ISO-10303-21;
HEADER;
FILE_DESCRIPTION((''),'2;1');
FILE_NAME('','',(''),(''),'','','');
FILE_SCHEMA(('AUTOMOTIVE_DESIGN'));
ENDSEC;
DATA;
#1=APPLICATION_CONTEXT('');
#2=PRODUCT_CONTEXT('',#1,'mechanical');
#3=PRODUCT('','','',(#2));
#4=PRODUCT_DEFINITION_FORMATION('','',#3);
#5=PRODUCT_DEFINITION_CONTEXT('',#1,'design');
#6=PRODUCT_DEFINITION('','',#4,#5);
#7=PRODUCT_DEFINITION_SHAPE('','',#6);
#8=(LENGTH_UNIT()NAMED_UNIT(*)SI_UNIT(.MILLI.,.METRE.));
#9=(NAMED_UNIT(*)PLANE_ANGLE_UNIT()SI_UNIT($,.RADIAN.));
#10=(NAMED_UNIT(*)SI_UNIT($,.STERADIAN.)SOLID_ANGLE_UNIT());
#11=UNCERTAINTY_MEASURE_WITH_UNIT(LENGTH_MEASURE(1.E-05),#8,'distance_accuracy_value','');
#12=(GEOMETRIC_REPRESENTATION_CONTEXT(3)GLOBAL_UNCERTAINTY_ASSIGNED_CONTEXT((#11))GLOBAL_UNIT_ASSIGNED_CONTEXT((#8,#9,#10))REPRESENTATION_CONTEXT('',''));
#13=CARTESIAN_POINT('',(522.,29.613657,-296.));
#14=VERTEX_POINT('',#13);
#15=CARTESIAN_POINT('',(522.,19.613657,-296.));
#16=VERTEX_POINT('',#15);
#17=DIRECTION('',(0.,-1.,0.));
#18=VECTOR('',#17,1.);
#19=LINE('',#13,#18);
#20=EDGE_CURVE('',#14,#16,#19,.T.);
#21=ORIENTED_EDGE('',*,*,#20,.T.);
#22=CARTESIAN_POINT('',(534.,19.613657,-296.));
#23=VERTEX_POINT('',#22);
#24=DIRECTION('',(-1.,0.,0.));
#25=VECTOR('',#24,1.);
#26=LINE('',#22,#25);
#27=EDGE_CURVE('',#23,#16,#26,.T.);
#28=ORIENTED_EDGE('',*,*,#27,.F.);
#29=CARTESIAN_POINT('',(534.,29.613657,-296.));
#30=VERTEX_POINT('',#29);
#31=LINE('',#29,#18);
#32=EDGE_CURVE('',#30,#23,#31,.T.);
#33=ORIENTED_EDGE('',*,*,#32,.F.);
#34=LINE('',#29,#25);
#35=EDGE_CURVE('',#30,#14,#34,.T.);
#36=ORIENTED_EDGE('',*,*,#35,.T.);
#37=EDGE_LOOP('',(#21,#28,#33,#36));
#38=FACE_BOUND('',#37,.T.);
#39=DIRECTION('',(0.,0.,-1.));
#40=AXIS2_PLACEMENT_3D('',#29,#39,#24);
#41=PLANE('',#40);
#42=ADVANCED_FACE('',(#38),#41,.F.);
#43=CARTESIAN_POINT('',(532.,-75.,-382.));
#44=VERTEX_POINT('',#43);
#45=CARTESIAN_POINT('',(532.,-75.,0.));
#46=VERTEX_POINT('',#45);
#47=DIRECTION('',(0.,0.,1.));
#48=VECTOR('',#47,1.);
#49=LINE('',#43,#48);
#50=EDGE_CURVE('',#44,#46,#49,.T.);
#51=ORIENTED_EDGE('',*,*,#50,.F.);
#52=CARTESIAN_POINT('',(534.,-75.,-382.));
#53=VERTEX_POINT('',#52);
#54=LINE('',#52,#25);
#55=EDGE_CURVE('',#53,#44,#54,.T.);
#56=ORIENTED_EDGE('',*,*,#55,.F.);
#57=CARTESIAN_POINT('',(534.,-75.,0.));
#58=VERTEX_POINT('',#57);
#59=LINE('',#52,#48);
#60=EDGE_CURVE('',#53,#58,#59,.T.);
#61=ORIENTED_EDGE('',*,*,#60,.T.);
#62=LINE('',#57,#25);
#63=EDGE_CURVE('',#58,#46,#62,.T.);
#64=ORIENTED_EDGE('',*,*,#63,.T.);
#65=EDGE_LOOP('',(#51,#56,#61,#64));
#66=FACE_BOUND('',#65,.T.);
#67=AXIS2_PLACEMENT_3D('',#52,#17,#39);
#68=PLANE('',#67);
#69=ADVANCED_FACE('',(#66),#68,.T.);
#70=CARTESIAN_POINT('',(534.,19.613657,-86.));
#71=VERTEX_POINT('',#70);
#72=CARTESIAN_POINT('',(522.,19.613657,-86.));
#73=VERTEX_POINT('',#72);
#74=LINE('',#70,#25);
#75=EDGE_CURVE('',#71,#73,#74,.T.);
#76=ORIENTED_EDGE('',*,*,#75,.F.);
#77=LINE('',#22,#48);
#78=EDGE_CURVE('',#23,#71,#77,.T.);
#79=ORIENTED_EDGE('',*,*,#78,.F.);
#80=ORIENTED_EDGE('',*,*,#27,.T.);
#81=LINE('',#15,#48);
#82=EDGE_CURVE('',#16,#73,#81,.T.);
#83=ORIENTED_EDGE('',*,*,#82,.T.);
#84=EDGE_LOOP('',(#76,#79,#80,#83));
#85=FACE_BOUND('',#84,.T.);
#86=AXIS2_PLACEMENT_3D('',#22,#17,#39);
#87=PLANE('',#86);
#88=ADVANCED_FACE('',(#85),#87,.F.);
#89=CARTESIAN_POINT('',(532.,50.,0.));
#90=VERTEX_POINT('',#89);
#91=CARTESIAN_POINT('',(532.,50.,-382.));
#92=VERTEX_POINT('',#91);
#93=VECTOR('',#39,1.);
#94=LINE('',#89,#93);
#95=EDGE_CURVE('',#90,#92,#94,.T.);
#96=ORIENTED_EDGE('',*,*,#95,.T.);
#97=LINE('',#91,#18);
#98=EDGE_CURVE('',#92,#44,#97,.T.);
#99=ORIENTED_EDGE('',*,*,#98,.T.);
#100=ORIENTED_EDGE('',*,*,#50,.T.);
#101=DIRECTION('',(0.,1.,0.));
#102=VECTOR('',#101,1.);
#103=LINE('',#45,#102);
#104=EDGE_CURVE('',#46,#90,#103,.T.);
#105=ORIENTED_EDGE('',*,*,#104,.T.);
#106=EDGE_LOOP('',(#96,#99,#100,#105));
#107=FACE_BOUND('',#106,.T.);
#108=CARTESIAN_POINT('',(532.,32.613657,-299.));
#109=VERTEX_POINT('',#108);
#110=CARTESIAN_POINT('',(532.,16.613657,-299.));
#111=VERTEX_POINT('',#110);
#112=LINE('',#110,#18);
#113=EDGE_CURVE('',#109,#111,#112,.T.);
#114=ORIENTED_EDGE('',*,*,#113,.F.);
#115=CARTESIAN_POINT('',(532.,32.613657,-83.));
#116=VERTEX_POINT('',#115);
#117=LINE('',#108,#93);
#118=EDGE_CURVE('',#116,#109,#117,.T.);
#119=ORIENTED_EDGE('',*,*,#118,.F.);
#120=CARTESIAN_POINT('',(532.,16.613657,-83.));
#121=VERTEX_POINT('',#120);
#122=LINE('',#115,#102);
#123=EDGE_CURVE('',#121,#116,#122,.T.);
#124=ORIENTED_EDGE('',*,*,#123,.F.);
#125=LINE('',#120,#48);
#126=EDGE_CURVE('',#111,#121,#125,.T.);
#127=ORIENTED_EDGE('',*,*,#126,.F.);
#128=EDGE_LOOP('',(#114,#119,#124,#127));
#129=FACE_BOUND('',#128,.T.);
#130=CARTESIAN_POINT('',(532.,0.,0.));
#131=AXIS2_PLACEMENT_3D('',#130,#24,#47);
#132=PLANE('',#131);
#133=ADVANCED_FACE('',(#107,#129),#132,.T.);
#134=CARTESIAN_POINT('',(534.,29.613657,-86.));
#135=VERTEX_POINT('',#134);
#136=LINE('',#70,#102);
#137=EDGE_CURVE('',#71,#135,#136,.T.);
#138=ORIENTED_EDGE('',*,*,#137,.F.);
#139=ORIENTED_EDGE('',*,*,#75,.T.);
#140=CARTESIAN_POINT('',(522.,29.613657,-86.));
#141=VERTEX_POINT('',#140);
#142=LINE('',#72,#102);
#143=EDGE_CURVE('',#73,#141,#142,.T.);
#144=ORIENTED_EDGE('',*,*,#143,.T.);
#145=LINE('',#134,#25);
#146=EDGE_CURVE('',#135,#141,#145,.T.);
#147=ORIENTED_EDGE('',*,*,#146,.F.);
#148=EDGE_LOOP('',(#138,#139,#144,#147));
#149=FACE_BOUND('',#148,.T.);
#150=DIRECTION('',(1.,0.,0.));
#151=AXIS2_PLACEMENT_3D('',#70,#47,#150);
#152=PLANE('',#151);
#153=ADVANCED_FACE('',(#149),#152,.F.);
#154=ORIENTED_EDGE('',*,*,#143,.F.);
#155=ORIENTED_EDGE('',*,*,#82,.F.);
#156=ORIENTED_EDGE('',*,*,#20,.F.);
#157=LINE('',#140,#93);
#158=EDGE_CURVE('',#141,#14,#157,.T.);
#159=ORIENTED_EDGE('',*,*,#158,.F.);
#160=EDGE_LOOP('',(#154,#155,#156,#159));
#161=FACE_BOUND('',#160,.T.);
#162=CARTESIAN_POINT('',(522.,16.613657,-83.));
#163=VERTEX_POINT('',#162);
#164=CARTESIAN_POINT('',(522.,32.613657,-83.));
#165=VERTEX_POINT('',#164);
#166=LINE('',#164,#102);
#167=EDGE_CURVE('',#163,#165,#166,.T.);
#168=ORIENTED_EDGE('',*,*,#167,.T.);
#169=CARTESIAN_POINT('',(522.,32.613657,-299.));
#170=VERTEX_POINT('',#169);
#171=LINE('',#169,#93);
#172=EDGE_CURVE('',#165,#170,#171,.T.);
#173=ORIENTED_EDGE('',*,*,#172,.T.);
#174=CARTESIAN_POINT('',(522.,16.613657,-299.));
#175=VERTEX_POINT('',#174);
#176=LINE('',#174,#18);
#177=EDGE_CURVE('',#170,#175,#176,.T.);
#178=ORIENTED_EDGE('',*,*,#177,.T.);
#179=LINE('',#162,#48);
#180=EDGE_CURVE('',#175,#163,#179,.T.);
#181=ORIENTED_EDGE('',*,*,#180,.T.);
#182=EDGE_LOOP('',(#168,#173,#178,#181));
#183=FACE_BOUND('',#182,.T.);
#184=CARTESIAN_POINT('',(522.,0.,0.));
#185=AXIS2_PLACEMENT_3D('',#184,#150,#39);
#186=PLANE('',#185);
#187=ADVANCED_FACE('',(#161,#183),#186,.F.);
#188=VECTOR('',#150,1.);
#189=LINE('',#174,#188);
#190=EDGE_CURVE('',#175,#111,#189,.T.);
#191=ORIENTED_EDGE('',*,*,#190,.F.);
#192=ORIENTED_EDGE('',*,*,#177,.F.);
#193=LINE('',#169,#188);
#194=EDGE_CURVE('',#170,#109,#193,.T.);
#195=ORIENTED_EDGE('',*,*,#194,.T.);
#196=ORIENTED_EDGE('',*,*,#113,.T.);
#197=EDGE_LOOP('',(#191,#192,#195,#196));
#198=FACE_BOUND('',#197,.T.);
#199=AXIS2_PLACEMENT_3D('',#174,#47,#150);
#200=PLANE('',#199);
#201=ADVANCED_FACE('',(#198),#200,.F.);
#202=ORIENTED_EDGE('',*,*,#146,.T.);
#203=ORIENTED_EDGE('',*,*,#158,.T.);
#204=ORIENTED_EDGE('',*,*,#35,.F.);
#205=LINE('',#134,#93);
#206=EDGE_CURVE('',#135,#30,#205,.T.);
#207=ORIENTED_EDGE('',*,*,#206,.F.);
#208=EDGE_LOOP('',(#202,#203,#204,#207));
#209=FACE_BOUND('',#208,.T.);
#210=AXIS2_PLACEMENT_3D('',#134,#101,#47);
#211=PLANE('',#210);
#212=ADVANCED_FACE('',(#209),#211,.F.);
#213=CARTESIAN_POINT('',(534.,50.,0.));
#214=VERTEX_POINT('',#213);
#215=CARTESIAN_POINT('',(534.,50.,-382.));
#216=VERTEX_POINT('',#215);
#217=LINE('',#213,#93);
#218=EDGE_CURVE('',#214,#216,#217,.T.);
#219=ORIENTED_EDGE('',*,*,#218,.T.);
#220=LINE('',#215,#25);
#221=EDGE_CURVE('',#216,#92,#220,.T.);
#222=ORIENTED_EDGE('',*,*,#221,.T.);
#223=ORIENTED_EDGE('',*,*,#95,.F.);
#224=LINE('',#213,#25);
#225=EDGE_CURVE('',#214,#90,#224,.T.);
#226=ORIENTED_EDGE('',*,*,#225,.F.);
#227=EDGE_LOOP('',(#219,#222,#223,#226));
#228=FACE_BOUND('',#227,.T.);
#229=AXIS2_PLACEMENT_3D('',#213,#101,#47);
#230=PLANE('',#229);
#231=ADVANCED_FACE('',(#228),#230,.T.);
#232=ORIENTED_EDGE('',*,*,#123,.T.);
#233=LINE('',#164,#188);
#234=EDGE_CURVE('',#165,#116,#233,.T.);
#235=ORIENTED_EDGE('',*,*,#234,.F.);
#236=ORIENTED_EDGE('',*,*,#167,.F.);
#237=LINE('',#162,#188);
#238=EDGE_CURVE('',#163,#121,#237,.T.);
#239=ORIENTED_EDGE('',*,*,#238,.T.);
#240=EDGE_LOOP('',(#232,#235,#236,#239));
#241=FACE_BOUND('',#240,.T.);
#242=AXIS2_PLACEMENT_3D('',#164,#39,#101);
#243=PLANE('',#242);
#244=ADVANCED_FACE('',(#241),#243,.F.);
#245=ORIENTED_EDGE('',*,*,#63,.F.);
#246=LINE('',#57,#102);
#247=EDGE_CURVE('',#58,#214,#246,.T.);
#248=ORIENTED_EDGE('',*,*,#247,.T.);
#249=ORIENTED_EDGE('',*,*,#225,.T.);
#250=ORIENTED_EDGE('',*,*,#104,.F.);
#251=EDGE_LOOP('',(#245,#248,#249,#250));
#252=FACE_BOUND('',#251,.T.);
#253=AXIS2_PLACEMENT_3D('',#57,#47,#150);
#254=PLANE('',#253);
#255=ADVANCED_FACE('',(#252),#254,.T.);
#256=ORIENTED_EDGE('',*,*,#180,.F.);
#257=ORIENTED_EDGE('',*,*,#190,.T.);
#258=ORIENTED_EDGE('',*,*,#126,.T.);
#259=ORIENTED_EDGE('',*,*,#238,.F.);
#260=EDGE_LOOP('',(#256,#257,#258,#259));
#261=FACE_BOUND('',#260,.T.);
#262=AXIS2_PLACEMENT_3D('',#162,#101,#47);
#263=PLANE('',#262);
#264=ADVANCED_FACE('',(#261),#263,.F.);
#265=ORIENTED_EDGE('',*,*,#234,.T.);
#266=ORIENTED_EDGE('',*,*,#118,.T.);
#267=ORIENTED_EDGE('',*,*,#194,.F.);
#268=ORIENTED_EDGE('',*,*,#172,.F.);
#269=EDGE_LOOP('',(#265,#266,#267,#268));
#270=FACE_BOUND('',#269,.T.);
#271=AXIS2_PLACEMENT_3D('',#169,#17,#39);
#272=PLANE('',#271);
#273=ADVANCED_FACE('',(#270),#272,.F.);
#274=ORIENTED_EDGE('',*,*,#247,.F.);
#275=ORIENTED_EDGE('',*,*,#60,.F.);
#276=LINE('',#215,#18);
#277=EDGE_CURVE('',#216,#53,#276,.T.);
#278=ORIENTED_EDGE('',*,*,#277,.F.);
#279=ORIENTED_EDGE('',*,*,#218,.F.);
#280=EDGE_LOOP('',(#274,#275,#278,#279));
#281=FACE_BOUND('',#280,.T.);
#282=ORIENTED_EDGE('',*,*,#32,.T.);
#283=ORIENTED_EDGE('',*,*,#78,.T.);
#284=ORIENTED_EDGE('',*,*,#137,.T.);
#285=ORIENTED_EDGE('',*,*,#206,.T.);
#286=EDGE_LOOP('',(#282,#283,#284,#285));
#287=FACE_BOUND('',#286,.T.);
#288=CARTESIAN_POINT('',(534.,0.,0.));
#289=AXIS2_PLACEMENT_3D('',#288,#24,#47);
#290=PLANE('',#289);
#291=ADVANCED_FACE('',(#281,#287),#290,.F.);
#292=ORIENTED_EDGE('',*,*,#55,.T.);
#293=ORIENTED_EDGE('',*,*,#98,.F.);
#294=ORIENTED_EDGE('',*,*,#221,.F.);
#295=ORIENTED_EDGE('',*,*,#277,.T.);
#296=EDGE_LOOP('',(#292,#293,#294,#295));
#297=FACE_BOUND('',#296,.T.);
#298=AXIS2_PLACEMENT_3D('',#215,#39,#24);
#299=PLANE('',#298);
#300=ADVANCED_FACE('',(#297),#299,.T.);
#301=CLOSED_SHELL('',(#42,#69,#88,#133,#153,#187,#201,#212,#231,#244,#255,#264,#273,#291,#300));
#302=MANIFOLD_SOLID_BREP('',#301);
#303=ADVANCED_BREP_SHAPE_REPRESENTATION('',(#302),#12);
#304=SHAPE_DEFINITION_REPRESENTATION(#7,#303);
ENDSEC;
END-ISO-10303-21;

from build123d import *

# Parameters (mm, degrees)
SKETCH1_W           = 125
SKETCH1_H           = 382
BOSS_EXTRUDE1_DEPTH = 2
SKETCH2_W           = 216
SKETCH2_H           = 16
BOSS_EXTRUDE2_DEPTH = 10
SKETCH3_W           = 210
SKETCH3_H           = 10
CUT_EXTRUDE1_DEPTH  = 390.477855596


with BuildPart() as part:
    # Sketch1 → Boss-Extrude1 (new body)
    with BuildSketch(Plane(origin=(532, 0, 0), x_dir=(0, -1, 0), z_dir=(-1, 0, 0))):
        with Locations((12.5, -191)):
            Rectangle(SKETCH1_W, SKETCH1_H)
    extrude(amount=-BOSS_EXTRUDE1_DEPTH)

    # Sketch2 → Boss-Extrude2 (add)
    with BuildSketch(Plane.ZY.offset(-532)):
        with Locations((-191, 24.613657059)):
            Rectangle(SKETCH2_W, SKETCH2_H)
    extrude(amount=BOSS_EXTRUDE2_DEPTH)

    # Sketch3 → Cut-Extrude1 (cut, through all)
    with BuildSketch(Plane.ZY.offset(-522)):
        with Locations((-191, 24.613657059)):
            Rectangle(SKETCH3_W, SKETCH3_H)
    extrude(amount=-CUT_EXTRUDE1_DEPTH, mode=Mode.SUBTRACT)


solid = part.part
